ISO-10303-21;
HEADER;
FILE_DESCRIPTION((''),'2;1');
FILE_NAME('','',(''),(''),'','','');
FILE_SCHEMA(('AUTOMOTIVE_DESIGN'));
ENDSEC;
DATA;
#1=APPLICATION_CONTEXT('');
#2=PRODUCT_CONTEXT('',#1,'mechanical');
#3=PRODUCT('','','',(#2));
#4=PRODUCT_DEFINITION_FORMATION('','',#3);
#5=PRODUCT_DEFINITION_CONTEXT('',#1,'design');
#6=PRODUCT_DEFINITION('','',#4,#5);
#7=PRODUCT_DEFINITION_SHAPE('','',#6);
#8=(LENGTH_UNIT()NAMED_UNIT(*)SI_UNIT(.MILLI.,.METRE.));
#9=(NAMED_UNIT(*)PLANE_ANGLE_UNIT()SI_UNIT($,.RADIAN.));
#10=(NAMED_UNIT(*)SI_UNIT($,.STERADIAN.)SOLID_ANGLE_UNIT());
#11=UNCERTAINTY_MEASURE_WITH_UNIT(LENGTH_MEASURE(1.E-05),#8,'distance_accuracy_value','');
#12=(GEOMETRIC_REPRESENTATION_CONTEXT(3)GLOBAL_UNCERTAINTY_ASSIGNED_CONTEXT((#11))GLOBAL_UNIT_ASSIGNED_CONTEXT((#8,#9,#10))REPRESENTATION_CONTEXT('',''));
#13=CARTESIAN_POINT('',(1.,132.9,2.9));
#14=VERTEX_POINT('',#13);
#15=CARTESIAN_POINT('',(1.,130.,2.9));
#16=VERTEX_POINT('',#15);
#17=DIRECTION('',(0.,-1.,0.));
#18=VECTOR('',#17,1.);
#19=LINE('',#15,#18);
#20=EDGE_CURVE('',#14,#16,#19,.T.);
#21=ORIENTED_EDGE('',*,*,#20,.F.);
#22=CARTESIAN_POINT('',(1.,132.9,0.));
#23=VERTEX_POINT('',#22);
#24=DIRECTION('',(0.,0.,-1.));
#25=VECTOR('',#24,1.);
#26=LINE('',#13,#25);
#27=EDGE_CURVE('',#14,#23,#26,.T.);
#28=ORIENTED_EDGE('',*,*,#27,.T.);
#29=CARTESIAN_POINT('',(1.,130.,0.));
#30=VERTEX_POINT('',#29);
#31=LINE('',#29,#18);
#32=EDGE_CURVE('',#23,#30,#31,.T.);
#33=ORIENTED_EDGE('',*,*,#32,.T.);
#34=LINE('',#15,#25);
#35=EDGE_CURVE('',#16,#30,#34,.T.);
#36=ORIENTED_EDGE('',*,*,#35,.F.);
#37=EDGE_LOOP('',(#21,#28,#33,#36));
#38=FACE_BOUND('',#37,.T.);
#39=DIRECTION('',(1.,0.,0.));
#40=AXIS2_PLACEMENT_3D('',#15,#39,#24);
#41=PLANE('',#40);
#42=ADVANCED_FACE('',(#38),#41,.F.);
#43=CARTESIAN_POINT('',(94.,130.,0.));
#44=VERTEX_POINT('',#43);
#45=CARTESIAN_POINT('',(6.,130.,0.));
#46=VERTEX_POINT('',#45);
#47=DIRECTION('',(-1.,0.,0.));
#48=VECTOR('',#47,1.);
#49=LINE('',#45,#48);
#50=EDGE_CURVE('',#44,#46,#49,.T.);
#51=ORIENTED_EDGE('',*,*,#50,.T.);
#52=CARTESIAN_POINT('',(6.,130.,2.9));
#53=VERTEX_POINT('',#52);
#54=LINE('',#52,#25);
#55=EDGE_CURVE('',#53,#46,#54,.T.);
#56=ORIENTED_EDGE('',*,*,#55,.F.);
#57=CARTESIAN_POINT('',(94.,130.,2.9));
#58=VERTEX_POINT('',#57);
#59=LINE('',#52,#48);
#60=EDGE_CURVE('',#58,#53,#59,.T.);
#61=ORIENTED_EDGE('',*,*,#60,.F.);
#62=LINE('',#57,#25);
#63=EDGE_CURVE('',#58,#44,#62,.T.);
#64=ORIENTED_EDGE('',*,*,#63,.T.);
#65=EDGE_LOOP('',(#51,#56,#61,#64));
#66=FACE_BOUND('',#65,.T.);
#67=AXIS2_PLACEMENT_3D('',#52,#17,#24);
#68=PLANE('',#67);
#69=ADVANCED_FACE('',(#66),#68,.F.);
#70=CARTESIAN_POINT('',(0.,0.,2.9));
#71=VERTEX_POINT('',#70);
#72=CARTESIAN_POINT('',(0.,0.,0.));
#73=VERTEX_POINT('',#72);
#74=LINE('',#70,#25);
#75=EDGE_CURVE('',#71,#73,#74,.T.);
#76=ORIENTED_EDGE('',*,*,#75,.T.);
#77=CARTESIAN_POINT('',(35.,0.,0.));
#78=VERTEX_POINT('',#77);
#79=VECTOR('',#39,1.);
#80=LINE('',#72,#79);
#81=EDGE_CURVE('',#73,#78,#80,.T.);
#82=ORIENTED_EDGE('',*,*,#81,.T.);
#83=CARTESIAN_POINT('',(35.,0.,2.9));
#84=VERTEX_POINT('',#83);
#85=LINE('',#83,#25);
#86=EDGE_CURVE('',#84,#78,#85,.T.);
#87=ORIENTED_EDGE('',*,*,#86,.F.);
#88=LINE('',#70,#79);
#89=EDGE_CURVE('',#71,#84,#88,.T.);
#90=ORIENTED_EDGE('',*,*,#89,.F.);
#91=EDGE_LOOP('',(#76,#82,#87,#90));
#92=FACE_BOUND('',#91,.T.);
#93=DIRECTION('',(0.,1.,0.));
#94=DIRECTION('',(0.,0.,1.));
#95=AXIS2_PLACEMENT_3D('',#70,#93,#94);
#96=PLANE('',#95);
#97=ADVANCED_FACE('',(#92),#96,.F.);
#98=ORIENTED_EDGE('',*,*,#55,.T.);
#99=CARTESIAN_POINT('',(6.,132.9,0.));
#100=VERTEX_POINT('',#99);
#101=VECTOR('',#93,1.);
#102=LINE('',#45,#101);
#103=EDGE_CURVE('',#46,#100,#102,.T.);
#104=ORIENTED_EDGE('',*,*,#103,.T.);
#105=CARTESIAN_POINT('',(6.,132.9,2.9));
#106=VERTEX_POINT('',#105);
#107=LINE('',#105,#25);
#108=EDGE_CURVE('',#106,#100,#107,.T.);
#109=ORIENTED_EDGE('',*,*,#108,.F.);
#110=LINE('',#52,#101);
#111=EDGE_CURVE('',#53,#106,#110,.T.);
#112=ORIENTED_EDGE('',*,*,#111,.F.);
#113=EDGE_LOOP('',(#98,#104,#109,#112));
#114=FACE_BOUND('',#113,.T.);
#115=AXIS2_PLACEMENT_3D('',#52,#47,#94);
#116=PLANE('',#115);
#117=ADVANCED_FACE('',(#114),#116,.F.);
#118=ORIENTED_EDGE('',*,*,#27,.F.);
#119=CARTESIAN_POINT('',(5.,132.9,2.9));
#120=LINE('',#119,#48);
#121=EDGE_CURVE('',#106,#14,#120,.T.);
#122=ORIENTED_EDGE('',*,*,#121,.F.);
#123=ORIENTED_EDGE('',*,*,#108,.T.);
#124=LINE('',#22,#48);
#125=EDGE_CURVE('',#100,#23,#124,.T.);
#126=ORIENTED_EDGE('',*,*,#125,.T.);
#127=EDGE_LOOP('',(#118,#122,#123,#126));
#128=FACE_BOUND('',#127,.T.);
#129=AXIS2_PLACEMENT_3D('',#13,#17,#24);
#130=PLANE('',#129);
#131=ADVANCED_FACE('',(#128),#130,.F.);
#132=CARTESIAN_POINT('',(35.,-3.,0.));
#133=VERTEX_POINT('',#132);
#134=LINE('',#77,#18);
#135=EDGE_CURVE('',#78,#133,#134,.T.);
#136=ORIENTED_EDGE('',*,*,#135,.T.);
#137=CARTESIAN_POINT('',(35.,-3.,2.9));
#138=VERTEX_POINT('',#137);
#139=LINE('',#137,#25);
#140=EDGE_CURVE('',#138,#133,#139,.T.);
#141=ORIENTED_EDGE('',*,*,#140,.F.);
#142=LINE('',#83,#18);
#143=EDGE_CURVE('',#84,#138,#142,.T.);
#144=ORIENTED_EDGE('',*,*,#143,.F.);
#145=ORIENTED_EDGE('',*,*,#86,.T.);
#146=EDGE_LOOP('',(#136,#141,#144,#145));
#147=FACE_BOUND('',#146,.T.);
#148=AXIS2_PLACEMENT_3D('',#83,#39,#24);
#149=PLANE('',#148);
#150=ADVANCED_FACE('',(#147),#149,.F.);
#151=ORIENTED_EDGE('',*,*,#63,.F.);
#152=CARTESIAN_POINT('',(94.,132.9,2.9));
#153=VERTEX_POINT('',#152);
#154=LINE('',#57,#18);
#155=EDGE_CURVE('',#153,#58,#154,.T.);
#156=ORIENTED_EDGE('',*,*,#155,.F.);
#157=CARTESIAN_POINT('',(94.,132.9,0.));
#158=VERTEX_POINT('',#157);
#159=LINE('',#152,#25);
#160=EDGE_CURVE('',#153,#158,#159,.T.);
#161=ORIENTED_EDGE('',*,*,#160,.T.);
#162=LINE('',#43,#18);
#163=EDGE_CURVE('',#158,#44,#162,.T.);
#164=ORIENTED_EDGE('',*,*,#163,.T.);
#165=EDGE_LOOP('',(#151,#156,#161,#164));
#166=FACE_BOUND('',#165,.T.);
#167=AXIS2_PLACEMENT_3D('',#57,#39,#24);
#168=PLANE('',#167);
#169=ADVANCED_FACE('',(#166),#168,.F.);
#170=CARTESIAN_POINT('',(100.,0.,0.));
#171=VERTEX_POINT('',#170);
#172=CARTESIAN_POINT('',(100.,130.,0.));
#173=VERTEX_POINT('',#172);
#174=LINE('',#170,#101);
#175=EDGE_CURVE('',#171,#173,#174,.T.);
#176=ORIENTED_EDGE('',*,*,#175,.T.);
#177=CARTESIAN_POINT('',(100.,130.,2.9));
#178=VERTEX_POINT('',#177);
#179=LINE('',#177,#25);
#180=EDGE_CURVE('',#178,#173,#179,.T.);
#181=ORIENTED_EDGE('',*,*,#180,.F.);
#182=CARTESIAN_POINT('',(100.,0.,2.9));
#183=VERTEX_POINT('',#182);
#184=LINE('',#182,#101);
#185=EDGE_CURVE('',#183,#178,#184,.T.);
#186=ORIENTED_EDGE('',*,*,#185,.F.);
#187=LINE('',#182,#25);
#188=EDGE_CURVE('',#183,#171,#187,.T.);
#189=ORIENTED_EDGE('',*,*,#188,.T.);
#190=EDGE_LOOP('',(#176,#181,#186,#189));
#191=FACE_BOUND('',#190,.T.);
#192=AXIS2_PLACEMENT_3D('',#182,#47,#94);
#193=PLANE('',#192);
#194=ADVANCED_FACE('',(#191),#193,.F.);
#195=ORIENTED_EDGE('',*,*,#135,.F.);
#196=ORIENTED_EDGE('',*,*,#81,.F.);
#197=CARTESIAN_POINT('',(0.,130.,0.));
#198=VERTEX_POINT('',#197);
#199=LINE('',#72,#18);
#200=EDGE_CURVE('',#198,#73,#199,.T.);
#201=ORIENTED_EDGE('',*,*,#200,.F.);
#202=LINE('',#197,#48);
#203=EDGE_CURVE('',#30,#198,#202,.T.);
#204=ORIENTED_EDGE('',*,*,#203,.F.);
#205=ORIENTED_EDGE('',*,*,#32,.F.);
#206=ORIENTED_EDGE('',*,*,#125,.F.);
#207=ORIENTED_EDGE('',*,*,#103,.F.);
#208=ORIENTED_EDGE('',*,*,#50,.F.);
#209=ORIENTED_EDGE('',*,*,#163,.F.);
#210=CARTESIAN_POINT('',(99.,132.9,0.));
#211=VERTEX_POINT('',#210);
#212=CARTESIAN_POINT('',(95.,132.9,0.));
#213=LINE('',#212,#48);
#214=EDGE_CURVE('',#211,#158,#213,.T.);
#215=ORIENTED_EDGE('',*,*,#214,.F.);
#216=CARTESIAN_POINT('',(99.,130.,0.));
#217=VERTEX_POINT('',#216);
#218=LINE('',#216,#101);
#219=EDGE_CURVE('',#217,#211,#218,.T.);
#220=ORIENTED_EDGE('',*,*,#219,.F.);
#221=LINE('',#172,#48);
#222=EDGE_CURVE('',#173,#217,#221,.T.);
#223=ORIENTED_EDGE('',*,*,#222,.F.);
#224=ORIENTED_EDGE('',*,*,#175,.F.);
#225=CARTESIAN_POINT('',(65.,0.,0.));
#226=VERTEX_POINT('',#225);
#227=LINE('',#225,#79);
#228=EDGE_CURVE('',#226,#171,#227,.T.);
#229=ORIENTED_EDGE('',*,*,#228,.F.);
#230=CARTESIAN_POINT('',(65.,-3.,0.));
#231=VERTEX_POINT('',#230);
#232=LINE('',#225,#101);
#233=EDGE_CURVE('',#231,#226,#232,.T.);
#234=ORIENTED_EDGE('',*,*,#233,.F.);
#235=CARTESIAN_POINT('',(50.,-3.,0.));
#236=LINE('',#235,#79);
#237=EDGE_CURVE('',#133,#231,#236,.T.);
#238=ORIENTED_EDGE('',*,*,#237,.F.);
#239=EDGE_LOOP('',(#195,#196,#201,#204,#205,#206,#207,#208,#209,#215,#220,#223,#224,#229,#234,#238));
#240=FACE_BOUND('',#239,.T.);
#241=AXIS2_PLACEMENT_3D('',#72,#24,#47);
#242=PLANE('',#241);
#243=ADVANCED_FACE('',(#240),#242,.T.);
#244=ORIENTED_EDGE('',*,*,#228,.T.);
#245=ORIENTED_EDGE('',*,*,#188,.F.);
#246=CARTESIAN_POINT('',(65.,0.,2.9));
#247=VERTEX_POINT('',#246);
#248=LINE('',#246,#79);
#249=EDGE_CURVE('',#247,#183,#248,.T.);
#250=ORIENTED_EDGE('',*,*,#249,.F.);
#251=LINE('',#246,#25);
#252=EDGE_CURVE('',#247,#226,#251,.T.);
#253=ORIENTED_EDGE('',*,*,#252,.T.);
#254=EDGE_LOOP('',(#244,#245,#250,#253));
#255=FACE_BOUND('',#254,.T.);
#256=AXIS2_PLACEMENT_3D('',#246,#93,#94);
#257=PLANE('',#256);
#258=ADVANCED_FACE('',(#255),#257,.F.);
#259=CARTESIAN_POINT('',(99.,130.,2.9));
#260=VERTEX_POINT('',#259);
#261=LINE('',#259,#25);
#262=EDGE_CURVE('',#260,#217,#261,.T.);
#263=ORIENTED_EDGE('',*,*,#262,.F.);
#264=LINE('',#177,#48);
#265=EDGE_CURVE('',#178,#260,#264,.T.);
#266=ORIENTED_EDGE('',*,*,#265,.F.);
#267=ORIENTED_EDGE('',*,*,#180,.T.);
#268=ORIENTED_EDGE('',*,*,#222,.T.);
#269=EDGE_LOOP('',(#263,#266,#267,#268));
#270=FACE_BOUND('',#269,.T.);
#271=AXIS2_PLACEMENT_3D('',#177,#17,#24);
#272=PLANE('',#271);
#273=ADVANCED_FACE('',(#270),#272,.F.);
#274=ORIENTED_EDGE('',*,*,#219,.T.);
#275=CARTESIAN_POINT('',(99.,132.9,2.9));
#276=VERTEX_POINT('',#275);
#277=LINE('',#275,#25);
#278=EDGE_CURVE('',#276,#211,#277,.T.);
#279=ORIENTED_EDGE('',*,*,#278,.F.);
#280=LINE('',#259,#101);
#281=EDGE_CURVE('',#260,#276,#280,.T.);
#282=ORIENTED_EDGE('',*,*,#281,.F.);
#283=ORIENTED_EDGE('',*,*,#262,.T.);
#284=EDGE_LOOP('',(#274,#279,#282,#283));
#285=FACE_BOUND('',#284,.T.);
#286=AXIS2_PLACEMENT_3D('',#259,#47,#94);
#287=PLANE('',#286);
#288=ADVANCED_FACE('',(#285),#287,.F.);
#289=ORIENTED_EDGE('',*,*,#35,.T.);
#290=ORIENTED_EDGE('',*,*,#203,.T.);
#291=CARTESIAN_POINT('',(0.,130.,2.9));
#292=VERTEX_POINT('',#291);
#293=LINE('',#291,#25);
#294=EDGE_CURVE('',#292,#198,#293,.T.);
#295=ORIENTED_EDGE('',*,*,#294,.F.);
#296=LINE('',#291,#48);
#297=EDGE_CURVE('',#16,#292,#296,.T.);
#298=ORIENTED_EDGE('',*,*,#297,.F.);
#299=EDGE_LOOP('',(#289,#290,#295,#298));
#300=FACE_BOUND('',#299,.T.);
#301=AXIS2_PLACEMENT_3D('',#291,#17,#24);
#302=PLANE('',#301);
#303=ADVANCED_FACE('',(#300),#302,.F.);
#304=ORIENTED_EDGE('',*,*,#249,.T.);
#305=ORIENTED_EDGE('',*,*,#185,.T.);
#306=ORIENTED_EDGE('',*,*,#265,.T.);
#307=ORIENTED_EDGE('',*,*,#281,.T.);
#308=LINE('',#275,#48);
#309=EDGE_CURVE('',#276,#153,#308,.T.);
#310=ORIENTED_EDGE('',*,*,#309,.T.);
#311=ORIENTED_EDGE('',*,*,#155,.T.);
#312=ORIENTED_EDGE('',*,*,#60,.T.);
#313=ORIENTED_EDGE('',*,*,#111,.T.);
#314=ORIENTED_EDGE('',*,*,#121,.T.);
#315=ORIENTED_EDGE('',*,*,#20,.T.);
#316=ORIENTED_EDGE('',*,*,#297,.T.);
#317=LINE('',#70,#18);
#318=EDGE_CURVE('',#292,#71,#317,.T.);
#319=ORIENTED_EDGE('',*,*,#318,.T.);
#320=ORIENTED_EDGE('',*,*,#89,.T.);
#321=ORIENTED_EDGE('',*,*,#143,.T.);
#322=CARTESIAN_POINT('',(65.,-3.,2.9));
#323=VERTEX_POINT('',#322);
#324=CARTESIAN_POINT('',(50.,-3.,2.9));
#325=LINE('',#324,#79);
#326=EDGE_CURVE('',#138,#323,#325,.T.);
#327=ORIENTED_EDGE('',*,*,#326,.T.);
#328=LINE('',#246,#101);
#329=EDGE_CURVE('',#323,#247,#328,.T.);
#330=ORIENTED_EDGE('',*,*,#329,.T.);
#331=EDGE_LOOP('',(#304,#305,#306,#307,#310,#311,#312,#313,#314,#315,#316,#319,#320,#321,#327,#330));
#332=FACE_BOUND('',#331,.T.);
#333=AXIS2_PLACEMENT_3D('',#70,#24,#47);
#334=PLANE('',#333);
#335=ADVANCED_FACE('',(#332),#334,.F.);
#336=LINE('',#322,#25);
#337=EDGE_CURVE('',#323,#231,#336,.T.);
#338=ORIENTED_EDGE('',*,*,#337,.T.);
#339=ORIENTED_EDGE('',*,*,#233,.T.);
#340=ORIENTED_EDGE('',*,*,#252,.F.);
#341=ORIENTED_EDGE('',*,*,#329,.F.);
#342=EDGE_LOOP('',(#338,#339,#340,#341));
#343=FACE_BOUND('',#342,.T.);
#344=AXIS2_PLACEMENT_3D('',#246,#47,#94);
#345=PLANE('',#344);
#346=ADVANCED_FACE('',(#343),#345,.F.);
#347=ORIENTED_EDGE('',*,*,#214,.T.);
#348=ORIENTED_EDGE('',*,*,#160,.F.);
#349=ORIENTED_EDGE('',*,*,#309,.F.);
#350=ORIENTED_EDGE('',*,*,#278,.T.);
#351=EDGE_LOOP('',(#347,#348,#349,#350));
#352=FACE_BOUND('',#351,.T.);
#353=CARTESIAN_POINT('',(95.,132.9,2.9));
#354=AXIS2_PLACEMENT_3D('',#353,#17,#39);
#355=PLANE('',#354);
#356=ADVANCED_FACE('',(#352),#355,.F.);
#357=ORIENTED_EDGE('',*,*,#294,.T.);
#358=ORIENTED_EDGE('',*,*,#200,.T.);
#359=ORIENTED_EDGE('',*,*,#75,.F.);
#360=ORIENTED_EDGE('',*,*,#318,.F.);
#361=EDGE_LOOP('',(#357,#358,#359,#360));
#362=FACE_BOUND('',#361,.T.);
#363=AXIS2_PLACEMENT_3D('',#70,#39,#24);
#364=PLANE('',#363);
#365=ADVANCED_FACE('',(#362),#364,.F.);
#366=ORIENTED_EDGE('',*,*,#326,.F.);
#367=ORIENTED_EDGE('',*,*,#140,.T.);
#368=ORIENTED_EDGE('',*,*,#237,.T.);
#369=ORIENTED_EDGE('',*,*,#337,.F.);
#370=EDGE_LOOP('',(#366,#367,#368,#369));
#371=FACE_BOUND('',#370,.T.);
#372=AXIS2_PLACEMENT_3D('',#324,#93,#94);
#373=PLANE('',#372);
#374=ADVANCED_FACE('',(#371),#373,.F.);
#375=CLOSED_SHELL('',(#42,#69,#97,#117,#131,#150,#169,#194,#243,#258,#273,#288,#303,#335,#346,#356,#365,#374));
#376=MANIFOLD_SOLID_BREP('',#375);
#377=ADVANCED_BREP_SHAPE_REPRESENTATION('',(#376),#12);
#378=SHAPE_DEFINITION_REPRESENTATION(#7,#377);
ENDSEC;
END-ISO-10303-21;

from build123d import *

# Parameters (mm, degrees)
EXTRUDE_1_DEPTH = 2.9


with BuildPart() as part:
    # 草图1 → 凸台-拉伸1 (new body)
    with BuildSketch(Plane.XY):
        Polygon((65, 0), (100, 0), (100, 130), (99, 130), (99, 132.9), (95, 132.9), (94, 132.9), (94, 130), (6, 130), (6, 132.9), (5, 132.9), (1, 132.9), (1, 130), (0, 130), (0, 0), (35, 0), (35, -3), (50, -3), (65, -3), align=None)
    extrude(amount=EXTRUDE_1_DEPTH)


solid = part.part
